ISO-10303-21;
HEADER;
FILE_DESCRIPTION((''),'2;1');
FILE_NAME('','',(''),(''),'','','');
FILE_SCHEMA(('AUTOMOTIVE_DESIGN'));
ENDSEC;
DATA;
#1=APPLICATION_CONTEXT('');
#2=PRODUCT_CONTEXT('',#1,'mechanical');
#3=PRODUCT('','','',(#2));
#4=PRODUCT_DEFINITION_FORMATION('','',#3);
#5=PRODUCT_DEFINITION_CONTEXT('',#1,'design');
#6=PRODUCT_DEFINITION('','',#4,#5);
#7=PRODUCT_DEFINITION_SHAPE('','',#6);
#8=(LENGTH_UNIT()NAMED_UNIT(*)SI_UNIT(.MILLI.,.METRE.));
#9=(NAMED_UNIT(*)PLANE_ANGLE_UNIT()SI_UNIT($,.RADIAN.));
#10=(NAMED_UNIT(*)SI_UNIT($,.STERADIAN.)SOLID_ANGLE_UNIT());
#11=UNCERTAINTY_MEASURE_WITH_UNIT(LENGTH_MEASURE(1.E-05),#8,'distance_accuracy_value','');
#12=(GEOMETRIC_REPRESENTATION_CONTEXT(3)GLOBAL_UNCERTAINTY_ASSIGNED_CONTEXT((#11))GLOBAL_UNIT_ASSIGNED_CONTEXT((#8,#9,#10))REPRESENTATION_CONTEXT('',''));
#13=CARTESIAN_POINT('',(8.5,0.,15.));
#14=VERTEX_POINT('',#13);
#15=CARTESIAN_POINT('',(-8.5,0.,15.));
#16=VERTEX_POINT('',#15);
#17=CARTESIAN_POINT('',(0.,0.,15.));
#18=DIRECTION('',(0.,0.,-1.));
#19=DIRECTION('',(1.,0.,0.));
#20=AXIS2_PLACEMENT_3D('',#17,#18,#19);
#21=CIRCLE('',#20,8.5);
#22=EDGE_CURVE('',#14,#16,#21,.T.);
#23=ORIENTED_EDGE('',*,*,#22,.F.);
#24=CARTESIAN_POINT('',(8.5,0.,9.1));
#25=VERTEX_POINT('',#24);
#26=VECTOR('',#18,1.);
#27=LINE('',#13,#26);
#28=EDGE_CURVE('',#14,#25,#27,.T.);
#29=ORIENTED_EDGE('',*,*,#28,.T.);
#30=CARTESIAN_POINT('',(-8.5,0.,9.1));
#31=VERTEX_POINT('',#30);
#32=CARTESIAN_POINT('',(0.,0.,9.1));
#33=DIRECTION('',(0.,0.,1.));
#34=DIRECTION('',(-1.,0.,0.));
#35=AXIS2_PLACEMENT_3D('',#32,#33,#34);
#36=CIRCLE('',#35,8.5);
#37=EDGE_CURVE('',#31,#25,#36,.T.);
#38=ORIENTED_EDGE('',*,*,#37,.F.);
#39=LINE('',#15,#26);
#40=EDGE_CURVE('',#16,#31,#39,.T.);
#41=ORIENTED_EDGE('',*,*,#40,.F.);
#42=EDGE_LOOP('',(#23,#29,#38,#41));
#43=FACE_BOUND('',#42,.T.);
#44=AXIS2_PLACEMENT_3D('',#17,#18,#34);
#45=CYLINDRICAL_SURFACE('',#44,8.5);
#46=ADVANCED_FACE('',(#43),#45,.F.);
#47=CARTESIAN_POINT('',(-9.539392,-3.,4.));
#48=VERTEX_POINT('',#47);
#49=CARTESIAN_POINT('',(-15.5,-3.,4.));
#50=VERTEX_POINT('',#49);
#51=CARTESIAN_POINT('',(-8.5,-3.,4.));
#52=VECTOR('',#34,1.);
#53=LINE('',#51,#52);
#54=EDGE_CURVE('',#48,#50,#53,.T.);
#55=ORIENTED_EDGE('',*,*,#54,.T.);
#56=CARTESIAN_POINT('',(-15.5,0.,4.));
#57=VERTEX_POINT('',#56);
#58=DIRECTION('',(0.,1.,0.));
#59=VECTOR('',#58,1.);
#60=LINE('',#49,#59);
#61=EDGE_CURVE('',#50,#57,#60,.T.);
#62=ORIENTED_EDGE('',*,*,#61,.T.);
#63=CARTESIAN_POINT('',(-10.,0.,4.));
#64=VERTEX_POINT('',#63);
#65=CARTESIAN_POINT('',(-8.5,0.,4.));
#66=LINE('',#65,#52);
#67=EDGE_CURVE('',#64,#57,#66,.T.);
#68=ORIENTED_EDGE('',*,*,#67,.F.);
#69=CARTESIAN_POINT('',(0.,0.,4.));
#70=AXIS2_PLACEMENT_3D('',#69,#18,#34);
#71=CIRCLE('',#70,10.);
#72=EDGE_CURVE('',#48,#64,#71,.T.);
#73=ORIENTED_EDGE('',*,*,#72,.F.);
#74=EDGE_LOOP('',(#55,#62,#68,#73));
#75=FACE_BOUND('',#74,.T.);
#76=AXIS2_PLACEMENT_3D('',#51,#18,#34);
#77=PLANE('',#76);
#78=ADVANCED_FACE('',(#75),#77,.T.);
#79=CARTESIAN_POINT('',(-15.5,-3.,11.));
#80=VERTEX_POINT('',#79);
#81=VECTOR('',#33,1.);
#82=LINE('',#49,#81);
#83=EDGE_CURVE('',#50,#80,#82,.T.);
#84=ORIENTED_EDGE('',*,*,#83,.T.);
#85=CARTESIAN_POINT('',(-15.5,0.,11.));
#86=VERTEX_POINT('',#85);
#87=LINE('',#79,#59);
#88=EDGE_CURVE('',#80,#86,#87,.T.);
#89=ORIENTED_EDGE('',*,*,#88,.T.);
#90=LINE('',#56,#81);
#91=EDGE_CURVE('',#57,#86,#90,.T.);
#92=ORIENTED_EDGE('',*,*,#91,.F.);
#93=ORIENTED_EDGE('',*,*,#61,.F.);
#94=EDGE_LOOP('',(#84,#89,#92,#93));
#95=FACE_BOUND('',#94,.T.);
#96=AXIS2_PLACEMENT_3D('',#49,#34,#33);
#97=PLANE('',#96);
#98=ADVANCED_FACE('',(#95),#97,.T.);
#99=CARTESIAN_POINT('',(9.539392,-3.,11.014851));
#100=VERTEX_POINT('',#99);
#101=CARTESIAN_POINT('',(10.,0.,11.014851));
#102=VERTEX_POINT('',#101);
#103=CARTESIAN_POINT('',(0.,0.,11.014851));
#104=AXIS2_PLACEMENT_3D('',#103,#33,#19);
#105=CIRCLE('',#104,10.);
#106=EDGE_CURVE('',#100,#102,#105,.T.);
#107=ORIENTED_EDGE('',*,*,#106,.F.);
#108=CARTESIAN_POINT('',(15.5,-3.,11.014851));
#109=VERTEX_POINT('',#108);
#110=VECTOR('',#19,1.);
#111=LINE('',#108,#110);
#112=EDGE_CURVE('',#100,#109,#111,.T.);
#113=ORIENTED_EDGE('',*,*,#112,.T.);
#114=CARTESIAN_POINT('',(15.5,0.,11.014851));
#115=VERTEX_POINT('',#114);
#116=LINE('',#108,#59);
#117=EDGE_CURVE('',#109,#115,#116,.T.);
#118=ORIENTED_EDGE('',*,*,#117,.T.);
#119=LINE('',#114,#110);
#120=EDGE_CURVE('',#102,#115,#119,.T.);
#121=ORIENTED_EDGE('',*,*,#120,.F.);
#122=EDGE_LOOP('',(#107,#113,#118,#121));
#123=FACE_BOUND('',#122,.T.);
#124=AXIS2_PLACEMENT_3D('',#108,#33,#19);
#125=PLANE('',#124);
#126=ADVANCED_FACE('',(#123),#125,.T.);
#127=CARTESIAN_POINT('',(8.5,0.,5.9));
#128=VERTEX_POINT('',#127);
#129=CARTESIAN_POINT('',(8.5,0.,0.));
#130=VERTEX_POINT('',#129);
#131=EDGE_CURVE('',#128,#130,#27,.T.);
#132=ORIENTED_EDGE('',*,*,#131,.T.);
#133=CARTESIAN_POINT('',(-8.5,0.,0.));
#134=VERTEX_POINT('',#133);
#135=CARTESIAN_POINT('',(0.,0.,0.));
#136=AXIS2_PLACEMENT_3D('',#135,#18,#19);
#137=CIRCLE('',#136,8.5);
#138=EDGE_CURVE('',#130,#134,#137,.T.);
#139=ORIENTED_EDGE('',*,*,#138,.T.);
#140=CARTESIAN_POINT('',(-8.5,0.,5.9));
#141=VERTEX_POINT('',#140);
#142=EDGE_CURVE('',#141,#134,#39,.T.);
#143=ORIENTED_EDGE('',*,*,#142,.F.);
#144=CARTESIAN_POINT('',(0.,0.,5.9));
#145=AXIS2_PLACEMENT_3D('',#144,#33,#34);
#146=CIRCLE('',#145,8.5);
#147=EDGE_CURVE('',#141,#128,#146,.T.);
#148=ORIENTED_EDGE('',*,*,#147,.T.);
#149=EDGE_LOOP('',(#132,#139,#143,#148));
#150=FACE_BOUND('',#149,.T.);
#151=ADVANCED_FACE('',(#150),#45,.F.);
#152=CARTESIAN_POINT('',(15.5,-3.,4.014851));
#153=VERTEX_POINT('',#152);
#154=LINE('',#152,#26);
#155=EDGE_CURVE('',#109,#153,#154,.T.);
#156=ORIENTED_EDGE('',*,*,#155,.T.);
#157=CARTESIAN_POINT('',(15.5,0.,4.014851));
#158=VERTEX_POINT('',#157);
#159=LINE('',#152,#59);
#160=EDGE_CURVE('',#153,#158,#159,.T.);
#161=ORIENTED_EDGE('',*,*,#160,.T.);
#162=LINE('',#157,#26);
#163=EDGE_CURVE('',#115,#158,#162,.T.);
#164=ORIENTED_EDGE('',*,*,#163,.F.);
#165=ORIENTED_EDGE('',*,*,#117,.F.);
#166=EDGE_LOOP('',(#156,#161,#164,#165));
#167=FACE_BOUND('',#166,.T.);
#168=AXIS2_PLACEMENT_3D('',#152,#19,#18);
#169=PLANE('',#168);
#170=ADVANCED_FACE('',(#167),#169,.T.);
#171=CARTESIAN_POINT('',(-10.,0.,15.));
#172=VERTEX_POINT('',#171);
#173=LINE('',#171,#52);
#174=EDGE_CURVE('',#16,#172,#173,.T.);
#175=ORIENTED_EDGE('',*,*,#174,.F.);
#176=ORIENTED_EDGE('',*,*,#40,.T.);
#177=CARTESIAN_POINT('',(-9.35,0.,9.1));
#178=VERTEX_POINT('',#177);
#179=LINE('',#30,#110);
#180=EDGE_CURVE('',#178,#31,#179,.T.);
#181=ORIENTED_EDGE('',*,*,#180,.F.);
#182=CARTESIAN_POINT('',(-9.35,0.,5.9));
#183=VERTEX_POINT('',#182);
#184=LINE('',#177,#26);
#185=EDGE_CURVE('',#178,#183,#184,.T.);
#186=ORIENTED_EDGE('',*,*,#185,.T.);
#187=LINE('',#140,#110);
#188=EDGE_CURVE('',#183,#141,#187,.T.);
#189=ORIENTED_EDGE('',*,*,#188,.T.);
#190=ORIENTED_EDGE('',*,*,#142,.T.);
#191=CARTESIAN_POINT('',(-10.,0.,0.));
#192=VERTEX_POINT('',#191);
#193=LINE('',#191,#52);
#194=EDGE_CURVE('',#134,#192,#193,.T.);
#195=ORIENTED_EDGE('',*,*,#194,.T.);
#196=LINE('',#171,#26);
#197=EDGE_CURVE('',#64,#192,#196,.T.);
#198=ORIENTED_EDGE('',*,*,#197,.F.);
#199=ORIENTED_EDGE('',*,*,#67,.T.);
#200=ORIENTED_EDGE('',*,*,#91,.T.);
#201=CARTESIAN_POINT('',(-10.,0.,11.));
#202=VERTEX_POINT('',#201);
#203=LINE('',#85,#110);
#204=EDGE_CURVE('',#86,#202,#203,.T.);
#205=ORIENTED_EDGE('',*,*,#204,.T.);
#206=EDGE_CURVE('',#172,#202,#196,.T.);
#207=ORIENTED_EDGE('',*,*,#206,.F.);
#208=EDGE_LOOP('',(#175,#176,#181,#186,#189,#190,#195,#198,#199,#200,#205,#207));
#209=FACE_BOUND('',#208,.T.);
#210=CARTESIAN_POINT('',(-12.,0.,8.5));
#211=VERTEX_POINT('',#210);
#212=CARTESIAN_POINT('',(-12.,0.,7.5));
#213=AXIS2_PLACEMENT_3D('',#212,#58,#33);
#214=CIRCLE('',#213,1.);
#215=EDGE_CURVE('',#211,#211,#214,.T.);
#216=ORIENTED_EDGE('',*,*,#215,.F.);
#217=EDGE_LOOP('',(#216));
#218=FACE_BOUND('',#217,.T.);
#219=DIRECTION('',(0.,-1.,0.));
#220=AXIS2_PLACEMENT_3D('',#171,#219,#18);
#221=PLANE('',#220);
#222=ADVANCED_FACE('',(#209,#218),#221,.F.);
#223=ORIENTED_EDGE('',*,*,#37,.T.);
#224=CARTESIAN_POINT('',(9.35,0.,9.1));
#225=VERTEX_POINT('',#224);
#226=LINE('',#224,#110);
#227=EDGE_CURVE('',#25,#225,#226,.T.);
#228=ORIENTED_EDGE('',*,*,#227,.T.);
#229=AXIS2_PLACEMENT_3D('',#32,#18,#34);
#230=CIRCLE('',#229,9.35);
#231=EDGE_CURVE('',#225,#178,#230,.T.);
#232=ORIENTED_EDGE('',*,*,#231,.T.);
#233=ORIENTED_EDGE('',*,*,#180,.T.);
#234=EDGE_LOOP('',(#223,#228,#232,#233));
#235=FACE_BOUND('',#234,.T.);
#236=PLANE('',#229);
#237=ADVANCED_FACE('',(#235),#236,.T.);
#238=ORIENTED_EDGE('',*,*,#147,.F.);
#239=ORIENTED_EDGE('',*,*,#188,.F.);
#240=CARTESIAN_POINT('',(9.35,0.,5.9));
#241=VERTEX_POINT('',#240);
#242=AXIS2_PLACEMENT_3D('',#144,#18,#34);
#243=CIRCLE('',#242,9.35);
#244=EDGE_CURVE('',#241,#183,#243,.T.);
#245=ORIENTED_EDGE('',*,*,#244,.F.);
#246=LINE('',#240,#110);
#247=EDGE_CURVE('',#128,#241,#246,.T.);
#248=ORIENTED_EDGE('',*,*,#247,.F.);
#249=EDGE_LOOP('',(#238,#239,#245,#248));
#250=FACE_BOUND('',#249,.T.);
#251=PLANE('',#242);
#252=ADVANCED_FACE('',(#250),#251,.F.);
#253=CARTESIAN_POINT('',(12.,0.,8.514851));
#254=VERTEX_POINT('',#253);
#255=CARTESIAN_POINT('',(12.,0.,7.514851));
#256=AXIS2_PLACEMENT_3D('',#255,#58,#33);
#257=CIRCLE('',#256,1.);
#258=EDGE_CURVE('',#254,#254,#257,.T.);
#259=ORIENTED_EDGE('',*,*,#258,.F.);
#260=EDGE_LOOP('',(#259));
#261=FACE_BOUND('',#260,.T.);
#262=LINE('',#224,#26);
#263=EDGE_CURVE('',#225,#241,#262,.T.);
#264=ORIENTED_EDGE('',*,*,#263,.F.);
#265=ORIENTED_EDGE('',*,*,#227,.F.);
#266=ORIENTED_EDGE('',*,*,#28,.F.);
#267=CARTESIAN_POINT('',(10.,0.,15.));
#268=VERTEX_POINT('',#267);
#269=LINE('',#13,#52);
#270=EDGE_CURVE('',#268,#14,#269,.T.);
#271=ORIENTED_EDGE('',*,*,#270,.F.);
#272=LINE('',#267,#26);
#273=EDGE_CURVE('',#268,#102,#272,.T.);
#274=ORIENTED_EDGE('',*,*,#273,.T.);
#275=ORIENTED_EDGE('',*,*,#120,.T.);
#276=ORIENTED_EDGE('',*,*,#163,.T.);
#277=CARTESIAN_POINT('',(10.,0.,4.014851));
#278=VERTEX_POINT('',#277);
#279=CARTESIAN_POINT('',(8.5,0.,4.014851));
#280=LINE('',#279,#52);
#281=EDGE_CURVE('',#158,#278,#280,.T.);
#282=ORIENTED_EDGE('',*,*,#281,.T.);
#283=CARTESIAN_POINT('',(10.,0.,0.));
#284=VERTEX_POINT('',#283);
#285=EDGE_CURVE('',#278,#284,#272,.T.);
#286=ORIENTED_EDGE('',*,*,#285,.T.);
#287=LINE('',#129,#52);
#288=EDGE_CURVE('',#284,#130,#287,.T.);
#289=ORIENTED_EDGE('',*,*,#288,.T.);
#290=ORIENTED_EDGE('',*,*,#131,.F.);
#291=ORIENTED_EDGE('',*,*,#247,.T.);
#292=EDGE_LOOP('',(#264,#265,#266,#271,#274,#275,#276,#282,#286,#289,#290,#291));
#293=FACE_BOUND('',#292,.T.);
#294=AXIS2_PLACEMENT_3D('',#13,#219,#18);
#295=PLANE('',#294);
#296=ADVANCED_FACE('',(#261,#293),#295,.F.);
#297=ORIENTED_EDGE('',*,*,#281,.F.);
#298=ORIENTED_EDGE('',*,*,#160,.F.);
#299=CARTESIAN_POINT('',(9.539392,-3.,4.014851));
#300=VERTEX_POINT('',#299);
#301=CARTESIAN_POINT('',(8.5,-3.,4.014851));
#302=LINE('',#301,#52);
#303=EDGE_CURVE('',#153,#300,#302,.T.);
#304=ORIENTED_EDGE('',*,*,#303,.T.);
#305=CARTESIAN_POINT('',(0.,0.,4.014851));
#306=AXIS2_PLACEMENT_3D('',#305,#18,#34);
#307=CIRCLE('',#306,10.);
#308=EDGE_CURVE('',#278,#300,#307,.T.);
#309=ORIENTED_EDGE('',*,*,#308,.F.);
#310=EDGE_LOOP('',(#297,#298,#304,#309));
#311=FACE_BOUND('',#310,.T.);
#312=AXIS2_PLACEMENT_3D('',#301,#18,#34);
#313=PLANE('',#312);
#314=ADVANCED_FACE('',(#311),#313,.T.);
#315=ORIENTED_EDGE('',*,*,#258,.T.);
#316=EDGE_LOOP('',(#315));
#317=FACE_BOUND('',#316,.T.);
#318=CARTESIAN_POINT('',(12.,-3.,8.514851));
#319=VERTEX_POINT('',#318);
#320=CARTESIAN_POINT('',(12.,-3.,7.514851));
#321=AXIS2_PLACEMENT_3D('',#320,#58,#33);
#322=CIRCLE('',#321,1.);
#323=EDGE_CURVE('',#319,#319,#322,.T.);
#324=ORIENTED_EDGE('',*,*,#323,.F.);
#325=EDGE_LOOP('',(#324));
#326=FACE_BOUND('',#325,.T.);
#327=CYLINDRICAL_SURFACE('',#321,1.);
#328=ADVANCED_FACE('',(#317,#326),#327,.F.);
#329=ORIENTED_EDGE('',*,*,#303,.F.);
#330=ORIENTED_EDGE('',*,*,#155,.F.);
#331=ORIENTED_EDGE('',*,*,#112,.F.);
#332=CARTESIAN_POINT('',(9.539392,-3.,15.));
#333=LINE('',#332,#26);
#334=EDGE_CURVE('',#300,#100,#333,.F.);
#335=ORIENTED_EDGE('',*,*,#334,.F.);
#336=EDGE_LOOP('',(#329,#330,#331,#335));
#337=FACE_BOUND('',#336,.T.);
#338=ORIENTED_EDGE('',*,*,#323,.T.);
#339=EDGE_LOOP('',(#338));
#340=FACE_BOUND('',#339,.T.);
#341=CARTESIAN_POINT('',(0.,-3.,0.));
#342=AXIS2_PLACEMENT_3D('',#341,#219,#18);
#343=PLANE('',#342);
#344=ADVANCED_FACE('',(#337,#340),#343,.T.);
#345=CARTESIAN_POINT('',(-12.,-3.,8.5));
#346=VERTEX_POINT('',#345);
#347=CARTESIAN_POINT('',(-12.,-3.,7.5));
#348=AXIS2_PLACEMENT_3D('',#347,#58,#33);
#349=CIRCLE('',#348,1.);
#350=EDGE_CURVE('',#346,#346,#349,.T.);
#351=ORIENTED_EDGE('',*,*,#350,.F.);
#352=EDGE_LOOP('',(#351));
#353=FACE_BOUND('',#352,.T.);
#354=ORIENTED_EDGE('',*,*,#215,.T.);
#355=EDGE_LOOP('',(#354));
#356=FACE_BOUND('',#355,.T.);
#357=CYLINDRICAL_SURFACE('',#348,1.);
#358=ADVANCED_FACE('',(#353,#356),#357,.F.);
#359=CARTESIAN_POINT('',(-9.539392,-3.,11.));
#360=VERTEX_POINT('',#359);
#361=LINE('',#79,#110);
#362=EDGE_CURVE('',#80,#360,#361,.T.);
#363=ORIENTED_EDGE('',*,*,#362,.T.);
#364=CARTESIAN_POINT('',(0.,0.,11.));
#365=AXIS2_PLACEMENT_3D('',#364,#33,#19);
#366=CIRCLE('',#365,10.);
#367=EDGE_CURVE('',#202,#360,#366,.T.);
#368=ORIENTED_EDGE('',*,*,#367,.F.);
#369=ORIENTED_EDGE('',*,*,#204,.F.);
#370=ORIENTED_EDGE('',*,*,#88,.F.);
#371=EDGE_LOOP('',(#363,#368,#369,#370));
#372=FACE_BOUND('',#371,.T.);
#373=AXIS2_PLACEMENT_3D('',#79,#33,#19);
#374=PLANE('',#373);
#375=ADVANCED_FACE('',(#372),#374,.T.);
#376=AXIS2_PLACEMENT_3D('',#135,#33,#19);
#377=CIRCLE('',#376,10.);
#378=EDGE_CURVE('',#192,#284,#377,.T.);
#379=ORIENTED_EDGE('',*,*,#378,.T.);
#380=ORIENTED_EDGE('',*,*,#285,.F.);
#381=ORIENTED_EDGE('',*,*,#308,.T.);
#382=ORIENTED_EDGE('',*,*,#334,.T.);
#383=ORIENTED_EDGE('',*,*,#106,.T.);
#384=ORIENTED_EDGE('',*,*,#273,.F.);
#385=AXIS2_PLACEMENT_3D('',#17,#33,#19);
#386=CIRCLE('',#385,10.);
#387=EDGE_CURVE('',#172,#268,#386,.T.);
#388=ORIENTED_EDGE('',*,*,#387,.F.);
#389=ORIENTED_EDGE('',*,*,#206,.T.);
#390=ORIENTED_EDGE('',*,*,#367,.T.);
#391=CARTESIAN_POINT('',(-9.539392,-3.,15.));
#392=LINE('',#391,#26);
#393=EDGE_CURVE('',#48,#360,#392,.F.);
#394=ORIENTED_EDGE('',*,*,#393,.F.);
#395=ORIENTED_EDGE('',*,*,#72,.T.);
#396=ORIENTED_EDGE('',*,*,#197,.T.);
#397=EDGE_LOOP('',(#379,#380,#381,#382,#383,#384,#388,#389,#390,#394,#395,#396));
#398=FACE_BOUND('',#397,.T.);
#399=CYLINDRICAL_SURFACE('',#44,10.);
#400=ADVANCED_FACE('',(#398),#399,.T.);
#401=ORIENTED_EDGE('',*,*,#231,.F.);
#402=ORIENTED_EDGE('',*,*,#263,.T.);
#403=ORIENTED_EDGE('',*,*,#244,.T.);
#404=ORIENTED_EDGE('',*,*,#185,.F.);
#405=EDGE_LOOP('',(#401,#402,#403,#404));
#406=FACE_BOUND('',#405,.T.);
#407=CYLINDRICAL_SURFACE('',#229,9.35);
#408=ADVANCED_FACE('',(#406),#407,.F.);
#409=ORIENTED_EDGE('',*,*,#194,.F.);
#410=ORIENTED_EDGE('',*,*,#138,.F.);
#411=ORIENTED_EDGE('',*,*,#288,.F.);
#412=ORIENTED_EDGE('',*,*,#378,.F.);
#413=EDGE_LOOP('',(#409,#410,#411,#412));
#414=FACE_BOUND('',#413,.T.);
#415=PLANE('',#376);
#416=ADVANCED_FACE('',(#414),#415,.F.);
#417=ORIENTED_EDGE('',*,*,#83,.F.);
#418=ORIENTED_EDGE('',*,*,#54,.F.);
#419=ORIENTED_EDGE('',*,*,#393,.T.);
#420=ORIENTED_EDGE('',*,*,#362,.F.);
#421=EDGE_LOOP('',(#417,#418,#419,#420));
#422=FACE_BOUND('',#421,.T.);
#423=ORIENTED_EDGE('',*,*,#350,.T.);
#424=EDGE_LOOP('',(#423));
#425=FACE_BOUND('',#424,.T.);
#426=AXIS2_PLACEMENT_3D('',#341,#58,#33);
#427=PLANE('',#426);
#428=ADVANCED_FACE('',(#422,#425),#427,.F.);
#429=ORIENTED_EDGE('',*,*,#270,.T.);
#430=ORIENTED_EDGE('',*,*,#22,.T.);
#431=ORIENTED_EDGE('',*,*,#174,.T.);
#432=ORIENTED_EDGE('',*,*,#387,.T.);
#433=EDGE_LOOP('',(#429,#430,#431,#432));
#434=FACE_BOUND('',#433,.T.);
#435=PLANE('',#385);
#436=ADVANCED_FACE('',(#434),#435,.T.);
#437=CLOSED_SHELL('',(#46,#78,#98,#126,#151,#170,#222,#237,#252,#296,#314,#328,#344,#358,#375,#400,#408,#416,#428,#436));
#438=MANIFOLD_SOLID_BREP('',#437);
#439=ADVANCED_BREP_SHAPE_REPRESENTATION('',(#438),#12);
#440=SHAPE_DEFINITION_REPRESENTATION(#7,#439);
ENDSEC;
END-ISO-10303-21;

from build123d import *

# Parameters (mm, degrees)
BOSS_EXTRUDE1_DEPTH = 15
SKETCH2_W           = 7
SKETCH2_H           = 7
SKETCH2_R           = 1
BOSS_EXTRUDE2_DEPTH = 3
CUT_EXTRUDE1_DEPTH  = 1.6


with BuildPart() as part:
    # Sketch1 → Boss-Extrude1 (new body)
    with BuildSketch(Plane.XY):
        with BuildLine():
            Line((-10, 0), (-8.5, 0))
            ThreePointArc((-8.5, 0), (0, -8.5), (8.5, 0))
            Line((8.5, 0), (10, 0))
            ThreePointArc((10, 0), (0, -10), (-10, 0))
        make_face()
    extrude(amount=BOSS_EXTRUDE1_DEPTH)

    # Sketch2 → Boss-Extrude2 (add)
    # profile 1 of 2: a face of its own
    with BuildSketch(Plane(origin=(0, 0, 0), x_dir=(1, 0, 0), z_dir=(0, 1, 0))):
        with Locations((-12, -7.5)):
            Rectangle(SKETCH2_W, SKETCH2_H)
        with Locations(Location((-12, -7.5, 0), (0, 0, 270))):
            Circle(SKETCH2_R, mode=Mode.SUBTRACT)
    # profile 2 of 2: a face of its own
    with BuildSketch(Plane(origin=(0, 0, 0), x_dir=(1, 0, 0), z_dir=(0, 1, 0))):
        with Locations((12, -7.514851196)):
            Rectangle(SKETCH2_W, SKETCH2_H)
        with Locations(Location((12, -7.514851196, 0), (0, 0, 270))):
            Circle(SKETCH2_R, mode=Mode.SUBTRACT)
    extrude(amount=-BOSS_EXTRUDE2_DEPTH)

    # Sketch3 → Cut-Extrude1 (cut, symmetric)
    with BuildSketch(Plane(origin=(0, 0, 7.5), x_dir=(-1, 0, 0), z_dir=(0, 0, -1))):
        with BuildLine():
            Line((-9.35, 0), (-8.5, 0))
            ThreePointArc((-8.5, 0), (0, -8.5), (8.5, 0))
            Line((8.5, 0), (9.35, 0))
            ThreePointArc((9.35, 0), (0, -9.35), (-9.35, 0))
        make_face()
    extrude(amount=CUT_EXTRUDE1_DEPTH, both=True, mode=Mode.SUBTRACT)


solid = part.part
